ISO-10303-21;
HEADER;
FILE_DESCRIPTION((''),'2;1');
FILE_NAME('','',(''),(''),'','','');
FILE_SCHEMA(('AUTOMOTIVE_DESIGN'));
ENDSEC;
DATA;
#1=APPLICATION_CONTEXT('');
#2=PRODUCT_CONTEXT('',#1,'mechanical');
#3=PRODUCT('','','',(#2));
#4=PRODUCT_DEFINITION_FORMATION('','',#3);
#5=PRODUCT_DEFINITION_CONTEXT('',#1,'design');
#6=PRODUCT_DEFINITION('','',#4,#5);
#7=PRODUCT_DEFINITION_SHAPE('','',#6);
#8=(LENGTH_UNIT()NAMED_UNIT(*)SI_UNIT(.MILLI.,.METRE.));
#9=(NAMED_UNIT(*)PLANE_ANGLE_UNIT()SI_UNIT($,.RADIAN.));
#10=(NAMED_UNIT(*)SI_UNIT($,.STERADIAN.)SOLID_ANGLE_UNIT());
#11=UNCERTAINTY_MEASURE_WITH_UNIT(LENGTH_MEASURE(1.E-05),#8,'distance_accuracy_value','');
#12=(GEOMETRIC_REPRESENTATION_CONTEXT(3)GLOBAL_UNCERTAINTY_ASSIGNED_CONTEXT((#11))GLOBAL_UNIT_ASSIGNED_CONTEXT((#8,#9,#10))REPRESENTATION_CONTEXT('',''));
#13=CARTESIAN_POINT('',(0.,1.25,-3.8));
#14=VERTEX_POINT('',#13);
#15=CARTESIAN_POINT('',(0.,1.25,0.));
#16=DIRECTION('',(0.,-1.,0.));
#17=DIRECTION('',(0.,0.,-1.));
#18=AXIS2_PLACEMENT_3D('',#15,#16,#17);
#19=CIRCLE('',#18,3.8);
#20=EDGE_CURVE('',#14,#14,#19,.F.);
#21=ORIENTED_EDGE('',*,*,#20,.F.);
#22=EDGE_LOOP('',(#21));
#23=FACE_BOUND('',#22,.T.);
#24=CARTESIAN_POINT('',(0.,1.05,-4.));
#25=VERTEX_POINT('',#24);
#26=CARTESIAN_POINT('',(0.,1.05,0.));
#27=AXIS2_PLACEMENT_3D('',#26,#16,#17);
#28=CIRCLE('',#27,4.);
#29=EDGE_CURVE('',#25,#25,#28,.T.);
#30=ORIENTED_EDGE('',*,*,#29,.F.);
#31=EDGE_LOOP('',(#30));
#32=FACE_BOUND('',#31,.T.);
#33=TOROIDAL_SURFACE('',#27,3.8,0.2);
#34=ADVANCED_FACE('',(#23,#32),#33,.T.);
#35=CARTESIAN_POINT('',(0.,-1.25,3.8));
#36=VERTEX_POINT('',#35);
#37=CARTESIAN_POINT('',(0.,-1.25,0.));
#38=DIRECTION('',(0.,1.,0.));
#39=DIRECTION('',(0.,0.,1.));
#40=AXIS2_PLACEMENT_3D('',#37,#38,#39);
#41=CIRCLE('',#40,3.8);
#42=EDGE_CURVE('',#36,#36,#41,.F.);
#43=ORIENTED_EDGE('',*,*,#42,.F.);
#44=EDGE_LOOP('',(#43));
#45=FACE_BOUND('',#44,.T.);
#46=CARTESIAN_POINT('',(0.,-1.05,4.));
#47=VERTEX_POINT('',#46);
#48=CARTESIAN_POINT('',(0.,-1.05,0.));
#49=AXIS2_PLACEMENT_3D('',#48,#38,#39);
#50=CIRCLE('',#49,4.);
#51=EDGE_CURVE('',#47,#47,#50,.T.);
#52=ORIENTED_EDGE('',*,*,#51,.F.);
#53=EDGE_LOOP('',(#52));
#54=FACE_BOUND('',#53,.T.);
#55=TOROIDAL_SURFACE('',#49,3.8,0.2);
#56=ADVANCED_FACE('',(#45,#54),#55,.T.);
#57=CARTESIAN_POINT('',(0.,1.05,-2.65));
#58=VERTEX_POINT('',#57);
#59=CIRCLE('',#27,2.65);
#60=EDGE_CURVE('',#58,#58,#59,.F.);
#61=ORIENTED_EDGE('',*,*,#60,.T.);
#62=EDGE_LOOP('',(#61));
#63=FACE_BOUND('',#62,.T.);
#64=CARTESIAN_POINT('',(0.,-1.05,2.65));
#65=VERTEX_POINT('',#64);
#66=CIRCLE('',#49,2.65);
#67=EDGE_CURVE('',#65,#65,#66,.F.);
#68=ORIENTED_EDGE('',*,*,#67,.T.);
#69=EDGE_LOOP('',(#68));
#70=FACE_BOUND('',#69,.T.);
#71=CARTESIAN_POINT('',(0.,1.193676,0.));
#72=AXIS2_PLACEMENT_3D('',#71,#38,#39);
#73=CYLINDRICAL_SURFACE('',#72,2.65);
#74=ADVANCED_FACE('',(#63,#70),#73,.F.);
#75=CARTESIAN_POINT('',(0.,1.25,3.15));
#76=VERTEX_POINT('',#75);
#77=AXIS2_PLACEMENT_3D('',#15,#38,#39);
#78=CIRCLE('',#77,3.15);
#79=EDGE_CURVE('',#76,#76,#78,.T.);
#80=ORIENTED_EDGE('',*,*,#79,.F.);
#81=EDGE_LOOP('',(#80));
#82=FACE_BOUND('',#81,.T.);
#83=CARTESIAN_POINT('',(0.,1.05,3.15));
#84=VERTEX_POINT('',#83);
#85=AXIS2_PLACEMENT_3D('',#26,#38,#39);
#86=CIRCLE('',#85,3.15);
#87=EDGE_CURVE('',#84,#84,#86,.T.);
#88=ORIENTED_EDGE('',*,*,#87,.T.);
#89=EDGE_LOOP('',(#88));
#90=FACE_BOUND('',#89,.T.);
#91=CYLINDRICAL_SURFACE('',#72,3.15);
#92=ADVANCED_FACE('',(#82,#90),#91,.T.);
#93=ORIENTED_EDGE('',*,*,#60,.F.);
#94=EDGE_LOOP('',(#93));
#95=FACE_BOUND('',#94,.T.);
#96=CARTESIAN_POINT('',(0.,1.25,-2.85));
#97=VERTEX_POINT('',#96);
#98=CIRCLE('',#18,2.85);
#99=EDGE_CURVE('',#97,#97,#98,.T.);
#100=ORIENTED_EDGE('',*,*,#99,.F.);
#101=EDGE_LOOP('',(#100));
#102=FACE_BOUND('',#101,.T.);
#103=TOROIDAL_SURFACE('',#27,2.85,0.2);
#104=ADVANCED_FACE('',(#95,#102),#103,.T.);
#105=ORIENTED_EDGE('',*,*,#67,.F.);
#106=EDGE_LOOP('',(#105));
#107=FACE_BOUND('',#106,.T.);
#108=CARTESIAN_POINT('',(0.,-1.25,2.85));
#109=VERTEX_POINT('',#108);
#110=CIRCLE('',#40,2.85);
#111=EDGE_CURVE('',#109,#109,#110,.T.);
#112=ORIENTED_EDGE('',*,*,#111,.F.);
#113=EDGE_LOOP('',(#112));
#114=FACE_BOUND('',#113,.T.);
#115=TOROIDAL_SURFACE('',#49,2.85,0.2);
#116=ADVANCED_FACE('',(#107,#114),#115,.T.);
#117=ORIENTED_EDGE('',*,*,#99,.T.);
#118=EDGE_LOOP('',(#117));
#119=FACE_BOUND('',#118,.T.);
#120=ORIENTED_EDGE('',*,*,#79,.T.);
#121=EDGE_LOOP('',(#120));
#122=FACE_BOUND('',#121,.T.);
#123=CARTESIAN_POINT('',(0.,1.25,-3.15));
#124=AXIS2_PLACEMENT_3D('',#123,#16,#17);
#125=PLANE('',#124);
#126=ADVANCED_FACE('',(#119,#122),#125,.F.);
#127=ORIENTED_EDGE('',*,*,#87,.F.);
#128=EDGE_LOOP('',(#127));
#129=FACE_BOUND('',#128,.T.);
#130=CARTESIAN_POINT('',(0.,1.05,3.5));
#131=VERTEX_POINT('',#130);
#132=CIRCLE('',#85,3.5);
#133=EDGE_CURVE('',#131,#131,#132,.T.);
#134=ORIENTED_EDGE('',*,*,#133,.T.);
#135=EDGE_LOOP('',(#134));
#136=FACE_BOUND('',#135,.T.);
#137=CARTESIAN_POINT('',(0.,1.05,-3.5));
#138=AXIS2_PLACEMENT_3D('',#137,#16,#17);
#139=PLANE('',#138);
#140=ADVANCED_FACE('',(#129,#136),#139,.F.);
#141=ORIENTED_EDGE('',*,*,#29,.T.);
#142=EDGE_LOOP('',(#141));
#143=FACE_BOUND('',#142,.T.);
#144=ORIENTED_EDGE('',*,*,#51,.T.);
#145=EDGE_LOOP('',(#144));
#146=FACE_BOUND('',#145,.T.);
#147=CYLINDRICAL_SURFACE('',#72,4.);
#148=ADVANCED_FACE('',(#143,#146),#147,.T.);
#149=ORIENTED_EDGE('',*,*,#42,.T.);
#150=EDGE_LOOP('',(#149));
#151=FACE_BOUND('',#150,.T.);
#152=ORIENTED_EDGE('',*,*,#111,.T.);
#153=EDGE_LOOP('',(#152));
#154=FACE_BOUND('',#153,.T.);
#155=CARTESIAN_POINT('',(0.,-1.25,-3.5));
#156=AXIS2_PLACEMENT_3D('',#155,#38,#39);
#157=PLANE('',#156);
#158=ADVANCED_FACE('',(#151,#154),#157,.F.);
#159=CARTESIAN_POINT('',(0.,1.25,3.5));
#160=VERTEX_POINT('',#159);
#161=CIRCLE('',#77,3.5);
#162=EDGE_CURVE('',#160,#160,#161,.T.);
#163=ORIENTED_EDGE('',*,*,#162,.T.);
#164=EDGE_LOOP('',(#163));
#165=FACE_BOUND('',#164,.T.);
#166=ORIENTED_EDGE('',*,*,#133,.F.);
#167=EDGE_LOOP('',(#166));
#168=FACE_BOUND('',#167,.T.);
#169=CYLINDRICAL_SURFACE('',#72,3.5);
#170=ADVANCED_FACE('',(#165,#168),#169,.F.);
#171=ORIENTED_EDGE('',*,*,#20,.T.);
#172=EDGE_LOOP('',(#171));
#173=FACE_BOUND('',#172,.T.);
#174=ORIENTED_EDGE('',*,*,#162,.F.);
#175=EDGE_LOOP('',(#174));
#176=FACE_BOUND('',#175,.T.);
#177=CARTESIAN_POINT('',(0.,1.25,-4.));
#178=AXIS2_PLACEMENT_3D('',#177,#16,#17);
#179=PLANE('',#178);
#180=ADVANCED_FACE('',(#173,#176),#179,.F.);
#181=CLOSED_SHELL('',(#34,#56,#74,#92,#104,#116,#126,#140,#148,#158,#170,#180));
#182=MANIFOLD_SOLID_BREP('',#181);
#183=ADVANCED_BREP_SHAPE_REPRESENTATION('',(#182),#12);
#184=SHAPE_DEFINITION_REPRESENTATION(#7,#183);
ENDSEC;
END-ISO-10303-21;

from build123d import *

# Parameters (mm, degrees)
FILLET1_R           = 0.2
SKETCH2_R           = 3.5
SKETCH2_R_2         = 3.15
BOSS_EXTRUDE1_DEPTH = 0.2


with BuildPart() as part:
    # Sketch1 → Revolve1 (revolve)
    with BuildSketch(Plane(origin=(0, 0, 0), x_dir=(0, 0, -1), z_dir=(1, 0, 0)), mode=Mode.PRIVATE) as revolve1_sk:
        Polygon((2.65, 1.25), (2.65, -1.25), (3.15, -1.25), (3.15, -1.05), (3.5, -1.05), (3.5, -1.25), (4, -1.25), (4, 1.25), (3.5, 1.25), (3.5, 1.05), (3.15, 1.05), (3.15, 1.25), align=None)
    revolve(revolve1_sk.sketch.rotate(Axis((0, 1.193675889, 0), (0, -1, 0)), 180), axis=Axis((0, 1.193675889, 0), (0, -1, 0)))

    # Fillet1
    fillet1_edges = [part.edges().sort_by_distance(p)[0] for p in [
        (0, 1.25, -4),
        (0, -1.25, -4),
        (0, -1.25, -2.65),
        (0, 1.25, -2.65),
    ]]
    fillet(fillet1_edges, radius=FILLET1_R)

    # Sketch2 → Boss-Extrude1 (add)
    with BuildSketch(Plane.XZ.offset(1.05)):
        with Locations(Location((0, 0, 0), (0, 0, 90))):
            Circle(SKETCH2_R)
        with Locations(Location((0, 0, 0), (0, 0, 90))):
            Circle(SKETCH2_R_2, mode=Mode.SUBTRACT)
    extrude(amount=BOSS_EXTRUDE1_DEPTH)


solid = part.part
